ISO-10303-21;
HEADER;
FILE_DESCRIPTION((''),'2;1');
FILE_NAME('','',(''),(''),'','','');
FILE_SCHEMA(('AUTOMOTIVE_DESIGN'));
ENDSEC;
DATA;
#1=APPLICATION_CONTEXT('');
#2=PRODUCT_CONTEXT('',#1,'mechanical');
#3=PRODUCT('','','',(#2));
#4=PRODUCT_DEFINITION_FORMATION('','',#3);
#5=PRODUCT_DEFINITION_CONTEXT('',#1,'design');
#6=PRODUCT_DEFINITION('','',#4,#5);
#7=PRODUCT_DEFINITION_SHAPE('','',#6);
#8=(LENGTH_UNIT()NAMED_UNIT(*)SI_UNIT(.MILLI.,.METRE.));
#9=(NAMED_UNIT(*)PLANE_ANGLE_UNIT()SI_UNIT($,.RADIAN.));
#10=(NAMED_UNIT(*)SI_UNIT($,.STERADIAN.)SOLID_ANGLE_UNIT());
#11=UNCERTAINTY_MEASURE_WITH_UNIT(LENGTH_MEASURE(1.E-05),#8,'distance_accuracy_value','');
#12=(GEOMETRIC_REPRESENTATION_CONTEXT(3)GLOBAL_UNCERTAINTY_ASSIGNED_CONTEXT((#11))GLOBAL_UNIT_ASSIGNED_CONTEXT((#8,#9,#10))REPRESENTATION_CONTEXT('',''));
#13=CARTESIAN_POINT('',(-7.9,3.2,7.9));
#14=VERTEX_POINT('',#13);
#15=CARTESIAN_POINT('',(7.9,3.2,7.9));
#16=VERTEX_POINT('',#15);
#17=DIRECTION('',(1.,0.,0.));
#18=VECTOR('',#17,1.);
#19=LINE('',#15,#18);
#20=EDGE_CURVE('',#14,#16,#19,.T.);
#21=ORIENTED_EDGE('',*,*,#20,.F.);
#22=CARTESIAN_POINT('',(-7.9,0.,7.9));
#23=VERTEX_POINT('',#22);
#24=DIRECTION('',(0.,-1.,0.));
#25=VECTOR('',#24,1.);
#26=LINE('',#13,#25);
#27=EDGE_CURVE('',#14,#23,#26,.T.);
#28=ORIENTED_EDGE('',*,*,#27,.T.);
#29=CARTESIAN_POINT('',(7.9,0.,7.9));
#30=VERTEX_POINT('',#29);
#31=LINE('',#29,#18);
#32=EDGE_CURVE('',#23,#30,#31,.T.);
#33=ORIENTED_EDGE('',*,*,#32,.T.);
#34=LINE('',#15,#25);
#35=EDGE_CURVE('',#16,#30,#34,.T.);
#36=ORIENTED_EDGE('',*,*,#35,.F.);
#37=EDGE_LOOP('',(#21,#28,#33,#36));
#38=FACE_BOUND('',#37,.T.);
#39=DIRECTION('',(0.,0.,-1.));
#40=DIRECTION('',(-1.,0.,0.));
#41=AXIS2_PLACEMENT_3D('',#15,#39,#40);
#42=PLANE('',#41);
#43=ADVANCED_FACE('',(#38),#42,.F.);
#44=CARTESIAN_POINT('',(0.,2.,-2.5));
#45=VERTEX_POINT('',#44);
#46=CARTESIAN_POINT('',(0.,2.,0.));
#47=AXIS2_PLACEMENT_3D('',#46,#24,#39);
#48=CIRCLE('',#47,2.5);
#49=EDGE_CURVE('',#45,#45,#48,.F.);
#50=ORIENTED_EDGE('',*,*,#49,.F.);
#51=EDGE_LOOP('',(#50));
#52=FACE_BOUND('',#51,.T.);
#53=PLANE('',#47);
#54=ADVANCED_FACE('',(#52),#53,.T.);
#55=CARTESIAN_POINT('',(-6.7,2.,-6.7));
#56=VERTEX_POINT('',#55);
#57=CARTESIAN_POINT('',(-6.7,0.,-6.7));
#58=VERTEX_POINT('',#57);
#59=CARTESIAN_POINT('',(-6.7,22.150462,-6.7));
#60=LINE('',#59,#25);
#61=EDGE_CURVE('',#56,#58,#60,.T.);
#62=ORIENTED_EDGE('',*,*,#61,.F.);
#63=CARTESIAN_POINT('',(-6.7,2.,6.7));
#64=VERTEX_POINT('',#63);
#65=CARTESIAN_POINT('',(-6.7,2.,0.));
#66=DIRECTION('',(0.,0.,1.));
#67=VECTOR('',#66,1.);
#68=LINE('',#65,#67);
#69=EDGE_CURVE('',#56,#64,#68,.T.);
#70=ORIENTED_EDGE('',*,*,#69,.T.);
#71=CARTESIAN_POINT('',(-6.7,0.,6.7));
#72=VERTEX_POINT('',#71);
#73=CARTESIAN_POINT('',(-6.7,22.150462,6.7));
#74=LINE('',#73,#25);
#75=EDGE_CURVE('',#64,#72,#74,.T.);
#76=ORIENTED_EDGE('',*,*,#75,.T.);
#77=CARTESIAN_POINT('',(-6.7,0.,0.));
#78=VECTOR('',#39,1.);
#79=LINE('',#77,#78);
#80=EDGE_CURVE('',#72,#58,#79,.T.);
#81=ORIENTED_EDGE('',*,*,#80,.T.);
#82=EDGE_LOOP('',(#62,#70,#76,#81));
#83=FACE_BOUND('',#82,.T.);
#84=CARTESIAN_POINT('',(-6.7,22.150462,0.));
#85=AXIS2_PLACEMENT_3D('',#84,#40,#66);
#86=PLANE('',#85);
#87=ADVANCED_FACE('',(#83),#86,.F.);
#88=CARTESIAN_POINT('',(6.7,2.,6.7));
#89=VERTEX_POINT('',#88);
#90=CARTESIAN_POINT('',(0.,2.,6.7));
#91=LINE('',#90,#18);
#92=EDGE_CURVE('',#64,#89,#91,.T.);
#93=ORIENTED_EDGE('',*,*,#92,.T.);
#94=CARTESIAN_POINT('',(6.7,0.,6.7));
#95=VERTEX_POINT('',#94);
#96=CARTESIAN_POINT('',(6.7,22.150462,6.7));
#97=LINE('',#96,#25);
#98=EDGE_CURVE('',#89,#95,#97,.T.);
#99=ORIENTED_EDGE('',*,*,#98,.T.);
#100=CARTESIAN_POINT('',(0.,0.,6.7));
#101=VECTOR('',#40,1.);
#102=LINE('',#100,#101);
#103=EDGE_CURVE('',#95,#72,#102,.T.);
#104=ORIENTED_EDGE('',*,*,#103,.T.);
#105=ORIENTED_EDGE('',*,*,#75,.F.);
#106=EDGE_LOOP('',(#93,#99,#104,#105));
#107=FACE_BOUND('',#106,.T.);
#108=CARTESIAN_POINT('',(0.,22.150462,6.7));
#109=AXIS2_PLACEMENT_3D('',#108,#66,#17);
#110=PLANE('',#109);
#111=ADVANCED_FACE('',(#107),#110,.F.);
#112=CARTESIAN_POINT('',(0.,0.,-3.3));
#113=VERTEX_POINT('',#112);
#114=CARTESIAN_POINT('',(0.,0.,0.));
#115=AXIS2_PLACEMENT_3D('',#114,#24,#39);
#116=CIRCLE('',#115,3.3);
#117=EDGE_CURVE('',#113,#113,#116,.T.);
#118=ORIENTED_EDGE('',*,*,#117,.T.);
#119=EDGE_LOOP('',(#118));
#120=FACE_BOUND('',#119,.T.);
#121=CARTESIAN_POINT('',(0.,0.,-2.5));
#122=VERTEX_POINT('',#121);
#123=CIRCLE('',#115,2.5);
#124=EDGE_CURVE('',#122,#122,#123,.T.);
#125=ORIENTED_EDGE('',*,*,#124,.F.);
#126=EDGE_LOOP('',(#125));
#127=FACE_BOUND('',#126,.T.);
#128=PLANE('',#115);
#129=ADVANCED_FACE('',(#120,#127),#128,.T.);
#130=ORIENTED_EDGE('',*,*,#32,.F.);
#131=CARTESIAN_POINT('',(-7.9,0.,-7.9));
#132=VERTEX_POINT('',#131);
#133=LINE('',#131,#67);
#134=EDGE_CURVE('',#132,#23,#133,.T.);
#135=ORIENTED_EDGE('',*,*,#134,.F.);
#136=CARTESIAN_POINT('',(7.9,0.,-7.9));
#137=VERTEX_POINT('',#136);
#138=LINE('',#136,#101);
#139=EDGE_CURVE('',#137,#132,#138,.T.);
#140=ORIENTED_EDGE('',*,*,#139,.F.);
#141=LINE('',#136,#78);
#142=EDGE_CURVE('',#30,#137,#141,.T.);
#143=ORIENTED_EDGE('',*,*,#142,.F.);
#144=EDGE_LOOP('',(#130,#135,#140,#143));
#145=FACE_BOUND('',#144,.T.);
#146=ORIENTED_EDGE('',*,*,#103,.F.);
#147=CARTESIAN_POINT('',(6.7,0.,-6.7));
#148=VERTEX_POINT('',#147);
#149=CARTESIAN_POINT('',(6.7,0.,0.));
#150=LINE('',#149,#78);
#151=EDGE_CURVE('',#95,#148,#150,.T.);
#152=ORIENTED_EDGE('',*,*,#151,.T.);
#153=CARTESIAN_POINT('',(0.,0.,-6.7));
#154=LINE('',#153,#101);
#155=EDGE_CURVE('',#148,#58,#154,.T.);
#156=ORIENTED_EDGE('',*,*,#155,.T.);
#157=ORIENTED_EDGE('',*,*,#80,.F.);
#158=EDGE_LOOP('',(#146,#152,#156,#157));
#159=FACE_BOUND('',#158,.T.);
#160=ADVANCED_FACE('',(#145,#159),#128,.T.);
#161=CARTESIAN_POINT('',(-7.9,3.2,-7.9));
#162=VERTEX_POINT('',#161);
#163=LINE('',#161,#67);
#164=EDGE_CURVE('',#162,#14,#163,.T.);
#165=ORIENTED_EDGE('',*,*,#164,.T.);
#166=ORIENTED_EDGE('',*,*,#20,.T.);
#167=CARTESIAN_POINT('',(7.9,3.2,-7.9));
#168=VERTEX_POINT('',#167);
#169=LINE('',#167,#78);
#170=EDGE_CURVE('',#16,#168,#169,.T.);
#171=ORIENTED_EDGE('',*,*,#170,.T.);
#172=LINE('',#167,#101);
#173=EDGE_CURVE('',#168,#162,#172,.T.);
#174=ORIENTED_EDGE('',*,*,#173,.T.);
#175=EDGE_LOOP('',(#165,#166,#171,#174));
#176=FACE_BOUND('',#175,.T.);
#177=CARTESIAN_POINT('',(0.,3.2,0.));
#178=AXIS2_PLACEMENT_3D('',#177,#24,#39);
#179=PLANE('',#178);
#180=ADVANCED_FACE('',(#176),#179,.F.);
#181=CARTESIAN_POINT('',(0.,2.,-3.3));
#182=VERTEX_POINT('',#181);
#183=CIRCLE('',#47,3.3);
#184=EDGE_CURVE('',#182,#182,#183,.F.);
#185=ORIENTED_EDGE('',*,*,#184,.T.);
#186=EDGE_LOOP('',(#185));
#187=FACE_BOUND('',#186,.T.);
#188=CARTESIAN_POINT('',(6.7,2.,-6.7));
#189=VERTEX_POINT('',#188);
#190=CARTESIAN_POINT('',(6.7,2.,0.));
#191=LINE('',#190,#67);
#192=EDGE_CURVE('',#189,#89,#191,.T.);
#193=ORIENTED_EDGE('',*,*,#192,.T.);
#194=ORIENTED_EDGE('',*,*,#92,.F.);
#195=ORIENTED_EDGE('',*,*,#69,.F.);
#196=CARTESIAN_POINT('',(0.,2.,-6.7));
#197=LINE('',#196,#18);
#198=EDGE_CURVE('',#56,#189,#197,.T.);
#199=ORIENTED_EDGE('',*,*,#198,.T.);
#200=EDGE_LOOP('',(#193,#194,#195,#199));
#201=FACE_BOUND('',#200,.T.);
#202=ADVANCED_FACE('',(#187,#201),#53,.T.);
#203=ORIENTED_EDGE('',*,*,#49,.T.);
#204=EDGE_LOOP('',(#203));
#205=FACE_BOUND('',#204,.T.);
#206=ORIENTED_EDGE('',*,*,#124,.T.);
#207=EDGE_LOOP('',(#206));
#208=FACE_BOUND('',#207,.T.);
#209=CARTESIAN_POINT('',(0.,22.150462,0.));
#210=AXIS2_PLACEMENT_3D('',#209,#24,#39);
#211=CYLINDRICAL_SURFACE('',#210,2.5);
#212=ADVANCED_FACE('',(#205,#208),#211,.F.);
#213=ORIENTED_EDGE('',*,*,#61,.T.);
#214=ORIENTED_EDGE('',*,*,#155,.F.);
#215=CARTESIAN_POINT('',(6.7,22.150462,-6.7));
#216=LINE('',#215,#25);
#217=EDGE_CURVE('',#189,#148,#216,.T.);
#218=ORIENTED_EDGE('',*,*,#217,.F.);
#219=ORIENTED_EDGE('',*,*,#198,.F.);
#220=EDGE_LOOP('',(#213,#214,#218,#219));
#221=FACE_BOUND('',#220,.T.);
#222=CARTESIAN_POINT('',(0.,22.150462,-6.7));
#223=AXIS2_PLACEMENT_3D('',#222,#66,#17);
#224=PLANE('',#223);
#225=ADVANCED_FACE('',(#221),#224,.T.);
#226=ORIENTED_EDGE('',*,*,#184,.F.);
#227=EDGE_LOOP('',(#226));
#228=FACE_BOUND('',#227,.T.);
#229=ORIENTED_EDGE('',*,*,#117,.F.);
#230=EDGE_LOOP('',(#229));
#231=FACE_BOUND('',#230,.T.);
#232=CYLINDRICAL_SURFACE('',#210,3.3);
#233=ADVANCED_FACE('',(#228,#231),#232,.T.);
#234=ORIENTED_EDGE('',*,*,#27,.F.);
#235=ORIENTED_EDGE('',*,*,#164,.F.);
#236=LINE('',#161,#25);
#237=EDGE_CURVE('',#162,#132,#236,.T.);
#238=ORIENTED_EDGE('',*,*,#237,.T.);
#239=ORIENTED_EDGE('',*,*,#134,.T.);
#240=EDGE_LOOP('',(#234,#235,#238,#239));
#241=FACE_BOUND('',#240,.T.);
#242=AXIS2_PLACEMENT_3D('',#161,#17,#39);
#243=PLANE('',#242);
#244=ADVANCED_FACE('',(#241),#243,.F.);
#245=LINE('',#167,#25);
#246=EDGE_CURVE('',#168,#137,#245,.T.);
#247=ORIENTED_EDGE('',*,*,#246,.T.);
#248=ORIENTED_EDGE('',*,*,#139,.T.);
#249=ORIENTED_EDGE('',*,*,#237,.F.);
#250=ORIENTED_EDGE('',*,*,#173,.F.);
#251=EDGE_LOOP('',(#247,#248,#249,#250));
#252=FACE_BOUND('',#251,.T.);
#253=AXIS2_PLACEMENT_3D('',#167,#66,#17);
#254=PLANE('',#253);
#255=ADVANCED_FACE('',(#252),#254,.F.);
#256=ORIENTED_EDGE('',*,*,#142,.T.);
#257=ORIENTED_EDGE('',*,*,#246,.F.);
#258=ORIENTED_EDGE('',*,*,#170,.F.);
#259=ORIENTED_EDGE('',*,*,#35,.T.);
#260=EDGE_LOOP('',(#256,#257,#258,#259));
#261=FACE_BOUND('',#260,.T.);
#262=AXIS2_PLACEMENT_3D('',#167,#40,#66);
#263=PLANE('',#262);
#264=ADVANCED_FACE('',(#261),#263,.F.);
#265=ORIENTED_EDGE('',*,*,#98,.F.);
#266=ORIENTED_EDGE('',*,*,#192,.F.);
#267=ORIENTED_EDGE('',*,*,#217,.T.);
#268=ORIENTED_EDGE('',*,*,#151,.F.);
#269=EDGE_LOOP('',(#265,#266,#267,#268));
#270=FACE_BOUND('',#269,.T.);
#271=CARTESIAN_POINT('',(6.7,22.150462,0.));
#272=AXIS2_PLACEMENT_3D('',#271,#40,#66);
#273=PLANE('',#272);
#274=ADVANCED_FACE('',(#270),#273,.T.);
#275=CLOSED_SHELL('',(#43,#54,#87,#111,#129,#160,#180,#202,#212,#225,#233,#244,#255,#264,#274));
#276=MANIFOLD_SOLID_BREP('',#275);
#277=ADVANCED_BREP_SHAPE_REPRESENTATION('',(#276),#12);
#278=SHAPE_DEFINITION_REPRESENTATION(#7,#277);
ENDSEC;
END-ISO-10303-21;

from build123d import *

# Parameters (mm, degrees)
SKETCH1_W          = 15.8
SKETCH1_H          = 15.8
BASE_DEPTH         = 3.2
SKETCH2_W          = 13.4
SKETCH2_H          = 13.4
SKETCH2_R          = 3.3
SKETCH2_R_2        = 2.5
CUT_EXTRUDE2_DEPTH = 2


with BuildPart() as part:
    # Sketch1 → Base (new body)
    with BuildSketch(Plane(origin=(0, 0, 0), x_dir=(1, 0, 0), z_dir=(0, 1, 0))):
        Rectangle(SKETCH1_W, SKETCH1_H)
    extrude(amount=BASE_DEPTH)

    # Sketch2 → Cut-Extrude2 (cut)
    with BuildSketch(Plane.XZ):
        Rectangle(SKETCH2_W, SKETCH2_H)
        Circle(SKETCH2_R, mode=Mode.SUBTRACT)
        Circle(SKETCH2_R_2)
    extrude(amount=-CUT_EXTRUDE2_DEPTH, mode=Mode.SUBTRACT)


solid = part.part
